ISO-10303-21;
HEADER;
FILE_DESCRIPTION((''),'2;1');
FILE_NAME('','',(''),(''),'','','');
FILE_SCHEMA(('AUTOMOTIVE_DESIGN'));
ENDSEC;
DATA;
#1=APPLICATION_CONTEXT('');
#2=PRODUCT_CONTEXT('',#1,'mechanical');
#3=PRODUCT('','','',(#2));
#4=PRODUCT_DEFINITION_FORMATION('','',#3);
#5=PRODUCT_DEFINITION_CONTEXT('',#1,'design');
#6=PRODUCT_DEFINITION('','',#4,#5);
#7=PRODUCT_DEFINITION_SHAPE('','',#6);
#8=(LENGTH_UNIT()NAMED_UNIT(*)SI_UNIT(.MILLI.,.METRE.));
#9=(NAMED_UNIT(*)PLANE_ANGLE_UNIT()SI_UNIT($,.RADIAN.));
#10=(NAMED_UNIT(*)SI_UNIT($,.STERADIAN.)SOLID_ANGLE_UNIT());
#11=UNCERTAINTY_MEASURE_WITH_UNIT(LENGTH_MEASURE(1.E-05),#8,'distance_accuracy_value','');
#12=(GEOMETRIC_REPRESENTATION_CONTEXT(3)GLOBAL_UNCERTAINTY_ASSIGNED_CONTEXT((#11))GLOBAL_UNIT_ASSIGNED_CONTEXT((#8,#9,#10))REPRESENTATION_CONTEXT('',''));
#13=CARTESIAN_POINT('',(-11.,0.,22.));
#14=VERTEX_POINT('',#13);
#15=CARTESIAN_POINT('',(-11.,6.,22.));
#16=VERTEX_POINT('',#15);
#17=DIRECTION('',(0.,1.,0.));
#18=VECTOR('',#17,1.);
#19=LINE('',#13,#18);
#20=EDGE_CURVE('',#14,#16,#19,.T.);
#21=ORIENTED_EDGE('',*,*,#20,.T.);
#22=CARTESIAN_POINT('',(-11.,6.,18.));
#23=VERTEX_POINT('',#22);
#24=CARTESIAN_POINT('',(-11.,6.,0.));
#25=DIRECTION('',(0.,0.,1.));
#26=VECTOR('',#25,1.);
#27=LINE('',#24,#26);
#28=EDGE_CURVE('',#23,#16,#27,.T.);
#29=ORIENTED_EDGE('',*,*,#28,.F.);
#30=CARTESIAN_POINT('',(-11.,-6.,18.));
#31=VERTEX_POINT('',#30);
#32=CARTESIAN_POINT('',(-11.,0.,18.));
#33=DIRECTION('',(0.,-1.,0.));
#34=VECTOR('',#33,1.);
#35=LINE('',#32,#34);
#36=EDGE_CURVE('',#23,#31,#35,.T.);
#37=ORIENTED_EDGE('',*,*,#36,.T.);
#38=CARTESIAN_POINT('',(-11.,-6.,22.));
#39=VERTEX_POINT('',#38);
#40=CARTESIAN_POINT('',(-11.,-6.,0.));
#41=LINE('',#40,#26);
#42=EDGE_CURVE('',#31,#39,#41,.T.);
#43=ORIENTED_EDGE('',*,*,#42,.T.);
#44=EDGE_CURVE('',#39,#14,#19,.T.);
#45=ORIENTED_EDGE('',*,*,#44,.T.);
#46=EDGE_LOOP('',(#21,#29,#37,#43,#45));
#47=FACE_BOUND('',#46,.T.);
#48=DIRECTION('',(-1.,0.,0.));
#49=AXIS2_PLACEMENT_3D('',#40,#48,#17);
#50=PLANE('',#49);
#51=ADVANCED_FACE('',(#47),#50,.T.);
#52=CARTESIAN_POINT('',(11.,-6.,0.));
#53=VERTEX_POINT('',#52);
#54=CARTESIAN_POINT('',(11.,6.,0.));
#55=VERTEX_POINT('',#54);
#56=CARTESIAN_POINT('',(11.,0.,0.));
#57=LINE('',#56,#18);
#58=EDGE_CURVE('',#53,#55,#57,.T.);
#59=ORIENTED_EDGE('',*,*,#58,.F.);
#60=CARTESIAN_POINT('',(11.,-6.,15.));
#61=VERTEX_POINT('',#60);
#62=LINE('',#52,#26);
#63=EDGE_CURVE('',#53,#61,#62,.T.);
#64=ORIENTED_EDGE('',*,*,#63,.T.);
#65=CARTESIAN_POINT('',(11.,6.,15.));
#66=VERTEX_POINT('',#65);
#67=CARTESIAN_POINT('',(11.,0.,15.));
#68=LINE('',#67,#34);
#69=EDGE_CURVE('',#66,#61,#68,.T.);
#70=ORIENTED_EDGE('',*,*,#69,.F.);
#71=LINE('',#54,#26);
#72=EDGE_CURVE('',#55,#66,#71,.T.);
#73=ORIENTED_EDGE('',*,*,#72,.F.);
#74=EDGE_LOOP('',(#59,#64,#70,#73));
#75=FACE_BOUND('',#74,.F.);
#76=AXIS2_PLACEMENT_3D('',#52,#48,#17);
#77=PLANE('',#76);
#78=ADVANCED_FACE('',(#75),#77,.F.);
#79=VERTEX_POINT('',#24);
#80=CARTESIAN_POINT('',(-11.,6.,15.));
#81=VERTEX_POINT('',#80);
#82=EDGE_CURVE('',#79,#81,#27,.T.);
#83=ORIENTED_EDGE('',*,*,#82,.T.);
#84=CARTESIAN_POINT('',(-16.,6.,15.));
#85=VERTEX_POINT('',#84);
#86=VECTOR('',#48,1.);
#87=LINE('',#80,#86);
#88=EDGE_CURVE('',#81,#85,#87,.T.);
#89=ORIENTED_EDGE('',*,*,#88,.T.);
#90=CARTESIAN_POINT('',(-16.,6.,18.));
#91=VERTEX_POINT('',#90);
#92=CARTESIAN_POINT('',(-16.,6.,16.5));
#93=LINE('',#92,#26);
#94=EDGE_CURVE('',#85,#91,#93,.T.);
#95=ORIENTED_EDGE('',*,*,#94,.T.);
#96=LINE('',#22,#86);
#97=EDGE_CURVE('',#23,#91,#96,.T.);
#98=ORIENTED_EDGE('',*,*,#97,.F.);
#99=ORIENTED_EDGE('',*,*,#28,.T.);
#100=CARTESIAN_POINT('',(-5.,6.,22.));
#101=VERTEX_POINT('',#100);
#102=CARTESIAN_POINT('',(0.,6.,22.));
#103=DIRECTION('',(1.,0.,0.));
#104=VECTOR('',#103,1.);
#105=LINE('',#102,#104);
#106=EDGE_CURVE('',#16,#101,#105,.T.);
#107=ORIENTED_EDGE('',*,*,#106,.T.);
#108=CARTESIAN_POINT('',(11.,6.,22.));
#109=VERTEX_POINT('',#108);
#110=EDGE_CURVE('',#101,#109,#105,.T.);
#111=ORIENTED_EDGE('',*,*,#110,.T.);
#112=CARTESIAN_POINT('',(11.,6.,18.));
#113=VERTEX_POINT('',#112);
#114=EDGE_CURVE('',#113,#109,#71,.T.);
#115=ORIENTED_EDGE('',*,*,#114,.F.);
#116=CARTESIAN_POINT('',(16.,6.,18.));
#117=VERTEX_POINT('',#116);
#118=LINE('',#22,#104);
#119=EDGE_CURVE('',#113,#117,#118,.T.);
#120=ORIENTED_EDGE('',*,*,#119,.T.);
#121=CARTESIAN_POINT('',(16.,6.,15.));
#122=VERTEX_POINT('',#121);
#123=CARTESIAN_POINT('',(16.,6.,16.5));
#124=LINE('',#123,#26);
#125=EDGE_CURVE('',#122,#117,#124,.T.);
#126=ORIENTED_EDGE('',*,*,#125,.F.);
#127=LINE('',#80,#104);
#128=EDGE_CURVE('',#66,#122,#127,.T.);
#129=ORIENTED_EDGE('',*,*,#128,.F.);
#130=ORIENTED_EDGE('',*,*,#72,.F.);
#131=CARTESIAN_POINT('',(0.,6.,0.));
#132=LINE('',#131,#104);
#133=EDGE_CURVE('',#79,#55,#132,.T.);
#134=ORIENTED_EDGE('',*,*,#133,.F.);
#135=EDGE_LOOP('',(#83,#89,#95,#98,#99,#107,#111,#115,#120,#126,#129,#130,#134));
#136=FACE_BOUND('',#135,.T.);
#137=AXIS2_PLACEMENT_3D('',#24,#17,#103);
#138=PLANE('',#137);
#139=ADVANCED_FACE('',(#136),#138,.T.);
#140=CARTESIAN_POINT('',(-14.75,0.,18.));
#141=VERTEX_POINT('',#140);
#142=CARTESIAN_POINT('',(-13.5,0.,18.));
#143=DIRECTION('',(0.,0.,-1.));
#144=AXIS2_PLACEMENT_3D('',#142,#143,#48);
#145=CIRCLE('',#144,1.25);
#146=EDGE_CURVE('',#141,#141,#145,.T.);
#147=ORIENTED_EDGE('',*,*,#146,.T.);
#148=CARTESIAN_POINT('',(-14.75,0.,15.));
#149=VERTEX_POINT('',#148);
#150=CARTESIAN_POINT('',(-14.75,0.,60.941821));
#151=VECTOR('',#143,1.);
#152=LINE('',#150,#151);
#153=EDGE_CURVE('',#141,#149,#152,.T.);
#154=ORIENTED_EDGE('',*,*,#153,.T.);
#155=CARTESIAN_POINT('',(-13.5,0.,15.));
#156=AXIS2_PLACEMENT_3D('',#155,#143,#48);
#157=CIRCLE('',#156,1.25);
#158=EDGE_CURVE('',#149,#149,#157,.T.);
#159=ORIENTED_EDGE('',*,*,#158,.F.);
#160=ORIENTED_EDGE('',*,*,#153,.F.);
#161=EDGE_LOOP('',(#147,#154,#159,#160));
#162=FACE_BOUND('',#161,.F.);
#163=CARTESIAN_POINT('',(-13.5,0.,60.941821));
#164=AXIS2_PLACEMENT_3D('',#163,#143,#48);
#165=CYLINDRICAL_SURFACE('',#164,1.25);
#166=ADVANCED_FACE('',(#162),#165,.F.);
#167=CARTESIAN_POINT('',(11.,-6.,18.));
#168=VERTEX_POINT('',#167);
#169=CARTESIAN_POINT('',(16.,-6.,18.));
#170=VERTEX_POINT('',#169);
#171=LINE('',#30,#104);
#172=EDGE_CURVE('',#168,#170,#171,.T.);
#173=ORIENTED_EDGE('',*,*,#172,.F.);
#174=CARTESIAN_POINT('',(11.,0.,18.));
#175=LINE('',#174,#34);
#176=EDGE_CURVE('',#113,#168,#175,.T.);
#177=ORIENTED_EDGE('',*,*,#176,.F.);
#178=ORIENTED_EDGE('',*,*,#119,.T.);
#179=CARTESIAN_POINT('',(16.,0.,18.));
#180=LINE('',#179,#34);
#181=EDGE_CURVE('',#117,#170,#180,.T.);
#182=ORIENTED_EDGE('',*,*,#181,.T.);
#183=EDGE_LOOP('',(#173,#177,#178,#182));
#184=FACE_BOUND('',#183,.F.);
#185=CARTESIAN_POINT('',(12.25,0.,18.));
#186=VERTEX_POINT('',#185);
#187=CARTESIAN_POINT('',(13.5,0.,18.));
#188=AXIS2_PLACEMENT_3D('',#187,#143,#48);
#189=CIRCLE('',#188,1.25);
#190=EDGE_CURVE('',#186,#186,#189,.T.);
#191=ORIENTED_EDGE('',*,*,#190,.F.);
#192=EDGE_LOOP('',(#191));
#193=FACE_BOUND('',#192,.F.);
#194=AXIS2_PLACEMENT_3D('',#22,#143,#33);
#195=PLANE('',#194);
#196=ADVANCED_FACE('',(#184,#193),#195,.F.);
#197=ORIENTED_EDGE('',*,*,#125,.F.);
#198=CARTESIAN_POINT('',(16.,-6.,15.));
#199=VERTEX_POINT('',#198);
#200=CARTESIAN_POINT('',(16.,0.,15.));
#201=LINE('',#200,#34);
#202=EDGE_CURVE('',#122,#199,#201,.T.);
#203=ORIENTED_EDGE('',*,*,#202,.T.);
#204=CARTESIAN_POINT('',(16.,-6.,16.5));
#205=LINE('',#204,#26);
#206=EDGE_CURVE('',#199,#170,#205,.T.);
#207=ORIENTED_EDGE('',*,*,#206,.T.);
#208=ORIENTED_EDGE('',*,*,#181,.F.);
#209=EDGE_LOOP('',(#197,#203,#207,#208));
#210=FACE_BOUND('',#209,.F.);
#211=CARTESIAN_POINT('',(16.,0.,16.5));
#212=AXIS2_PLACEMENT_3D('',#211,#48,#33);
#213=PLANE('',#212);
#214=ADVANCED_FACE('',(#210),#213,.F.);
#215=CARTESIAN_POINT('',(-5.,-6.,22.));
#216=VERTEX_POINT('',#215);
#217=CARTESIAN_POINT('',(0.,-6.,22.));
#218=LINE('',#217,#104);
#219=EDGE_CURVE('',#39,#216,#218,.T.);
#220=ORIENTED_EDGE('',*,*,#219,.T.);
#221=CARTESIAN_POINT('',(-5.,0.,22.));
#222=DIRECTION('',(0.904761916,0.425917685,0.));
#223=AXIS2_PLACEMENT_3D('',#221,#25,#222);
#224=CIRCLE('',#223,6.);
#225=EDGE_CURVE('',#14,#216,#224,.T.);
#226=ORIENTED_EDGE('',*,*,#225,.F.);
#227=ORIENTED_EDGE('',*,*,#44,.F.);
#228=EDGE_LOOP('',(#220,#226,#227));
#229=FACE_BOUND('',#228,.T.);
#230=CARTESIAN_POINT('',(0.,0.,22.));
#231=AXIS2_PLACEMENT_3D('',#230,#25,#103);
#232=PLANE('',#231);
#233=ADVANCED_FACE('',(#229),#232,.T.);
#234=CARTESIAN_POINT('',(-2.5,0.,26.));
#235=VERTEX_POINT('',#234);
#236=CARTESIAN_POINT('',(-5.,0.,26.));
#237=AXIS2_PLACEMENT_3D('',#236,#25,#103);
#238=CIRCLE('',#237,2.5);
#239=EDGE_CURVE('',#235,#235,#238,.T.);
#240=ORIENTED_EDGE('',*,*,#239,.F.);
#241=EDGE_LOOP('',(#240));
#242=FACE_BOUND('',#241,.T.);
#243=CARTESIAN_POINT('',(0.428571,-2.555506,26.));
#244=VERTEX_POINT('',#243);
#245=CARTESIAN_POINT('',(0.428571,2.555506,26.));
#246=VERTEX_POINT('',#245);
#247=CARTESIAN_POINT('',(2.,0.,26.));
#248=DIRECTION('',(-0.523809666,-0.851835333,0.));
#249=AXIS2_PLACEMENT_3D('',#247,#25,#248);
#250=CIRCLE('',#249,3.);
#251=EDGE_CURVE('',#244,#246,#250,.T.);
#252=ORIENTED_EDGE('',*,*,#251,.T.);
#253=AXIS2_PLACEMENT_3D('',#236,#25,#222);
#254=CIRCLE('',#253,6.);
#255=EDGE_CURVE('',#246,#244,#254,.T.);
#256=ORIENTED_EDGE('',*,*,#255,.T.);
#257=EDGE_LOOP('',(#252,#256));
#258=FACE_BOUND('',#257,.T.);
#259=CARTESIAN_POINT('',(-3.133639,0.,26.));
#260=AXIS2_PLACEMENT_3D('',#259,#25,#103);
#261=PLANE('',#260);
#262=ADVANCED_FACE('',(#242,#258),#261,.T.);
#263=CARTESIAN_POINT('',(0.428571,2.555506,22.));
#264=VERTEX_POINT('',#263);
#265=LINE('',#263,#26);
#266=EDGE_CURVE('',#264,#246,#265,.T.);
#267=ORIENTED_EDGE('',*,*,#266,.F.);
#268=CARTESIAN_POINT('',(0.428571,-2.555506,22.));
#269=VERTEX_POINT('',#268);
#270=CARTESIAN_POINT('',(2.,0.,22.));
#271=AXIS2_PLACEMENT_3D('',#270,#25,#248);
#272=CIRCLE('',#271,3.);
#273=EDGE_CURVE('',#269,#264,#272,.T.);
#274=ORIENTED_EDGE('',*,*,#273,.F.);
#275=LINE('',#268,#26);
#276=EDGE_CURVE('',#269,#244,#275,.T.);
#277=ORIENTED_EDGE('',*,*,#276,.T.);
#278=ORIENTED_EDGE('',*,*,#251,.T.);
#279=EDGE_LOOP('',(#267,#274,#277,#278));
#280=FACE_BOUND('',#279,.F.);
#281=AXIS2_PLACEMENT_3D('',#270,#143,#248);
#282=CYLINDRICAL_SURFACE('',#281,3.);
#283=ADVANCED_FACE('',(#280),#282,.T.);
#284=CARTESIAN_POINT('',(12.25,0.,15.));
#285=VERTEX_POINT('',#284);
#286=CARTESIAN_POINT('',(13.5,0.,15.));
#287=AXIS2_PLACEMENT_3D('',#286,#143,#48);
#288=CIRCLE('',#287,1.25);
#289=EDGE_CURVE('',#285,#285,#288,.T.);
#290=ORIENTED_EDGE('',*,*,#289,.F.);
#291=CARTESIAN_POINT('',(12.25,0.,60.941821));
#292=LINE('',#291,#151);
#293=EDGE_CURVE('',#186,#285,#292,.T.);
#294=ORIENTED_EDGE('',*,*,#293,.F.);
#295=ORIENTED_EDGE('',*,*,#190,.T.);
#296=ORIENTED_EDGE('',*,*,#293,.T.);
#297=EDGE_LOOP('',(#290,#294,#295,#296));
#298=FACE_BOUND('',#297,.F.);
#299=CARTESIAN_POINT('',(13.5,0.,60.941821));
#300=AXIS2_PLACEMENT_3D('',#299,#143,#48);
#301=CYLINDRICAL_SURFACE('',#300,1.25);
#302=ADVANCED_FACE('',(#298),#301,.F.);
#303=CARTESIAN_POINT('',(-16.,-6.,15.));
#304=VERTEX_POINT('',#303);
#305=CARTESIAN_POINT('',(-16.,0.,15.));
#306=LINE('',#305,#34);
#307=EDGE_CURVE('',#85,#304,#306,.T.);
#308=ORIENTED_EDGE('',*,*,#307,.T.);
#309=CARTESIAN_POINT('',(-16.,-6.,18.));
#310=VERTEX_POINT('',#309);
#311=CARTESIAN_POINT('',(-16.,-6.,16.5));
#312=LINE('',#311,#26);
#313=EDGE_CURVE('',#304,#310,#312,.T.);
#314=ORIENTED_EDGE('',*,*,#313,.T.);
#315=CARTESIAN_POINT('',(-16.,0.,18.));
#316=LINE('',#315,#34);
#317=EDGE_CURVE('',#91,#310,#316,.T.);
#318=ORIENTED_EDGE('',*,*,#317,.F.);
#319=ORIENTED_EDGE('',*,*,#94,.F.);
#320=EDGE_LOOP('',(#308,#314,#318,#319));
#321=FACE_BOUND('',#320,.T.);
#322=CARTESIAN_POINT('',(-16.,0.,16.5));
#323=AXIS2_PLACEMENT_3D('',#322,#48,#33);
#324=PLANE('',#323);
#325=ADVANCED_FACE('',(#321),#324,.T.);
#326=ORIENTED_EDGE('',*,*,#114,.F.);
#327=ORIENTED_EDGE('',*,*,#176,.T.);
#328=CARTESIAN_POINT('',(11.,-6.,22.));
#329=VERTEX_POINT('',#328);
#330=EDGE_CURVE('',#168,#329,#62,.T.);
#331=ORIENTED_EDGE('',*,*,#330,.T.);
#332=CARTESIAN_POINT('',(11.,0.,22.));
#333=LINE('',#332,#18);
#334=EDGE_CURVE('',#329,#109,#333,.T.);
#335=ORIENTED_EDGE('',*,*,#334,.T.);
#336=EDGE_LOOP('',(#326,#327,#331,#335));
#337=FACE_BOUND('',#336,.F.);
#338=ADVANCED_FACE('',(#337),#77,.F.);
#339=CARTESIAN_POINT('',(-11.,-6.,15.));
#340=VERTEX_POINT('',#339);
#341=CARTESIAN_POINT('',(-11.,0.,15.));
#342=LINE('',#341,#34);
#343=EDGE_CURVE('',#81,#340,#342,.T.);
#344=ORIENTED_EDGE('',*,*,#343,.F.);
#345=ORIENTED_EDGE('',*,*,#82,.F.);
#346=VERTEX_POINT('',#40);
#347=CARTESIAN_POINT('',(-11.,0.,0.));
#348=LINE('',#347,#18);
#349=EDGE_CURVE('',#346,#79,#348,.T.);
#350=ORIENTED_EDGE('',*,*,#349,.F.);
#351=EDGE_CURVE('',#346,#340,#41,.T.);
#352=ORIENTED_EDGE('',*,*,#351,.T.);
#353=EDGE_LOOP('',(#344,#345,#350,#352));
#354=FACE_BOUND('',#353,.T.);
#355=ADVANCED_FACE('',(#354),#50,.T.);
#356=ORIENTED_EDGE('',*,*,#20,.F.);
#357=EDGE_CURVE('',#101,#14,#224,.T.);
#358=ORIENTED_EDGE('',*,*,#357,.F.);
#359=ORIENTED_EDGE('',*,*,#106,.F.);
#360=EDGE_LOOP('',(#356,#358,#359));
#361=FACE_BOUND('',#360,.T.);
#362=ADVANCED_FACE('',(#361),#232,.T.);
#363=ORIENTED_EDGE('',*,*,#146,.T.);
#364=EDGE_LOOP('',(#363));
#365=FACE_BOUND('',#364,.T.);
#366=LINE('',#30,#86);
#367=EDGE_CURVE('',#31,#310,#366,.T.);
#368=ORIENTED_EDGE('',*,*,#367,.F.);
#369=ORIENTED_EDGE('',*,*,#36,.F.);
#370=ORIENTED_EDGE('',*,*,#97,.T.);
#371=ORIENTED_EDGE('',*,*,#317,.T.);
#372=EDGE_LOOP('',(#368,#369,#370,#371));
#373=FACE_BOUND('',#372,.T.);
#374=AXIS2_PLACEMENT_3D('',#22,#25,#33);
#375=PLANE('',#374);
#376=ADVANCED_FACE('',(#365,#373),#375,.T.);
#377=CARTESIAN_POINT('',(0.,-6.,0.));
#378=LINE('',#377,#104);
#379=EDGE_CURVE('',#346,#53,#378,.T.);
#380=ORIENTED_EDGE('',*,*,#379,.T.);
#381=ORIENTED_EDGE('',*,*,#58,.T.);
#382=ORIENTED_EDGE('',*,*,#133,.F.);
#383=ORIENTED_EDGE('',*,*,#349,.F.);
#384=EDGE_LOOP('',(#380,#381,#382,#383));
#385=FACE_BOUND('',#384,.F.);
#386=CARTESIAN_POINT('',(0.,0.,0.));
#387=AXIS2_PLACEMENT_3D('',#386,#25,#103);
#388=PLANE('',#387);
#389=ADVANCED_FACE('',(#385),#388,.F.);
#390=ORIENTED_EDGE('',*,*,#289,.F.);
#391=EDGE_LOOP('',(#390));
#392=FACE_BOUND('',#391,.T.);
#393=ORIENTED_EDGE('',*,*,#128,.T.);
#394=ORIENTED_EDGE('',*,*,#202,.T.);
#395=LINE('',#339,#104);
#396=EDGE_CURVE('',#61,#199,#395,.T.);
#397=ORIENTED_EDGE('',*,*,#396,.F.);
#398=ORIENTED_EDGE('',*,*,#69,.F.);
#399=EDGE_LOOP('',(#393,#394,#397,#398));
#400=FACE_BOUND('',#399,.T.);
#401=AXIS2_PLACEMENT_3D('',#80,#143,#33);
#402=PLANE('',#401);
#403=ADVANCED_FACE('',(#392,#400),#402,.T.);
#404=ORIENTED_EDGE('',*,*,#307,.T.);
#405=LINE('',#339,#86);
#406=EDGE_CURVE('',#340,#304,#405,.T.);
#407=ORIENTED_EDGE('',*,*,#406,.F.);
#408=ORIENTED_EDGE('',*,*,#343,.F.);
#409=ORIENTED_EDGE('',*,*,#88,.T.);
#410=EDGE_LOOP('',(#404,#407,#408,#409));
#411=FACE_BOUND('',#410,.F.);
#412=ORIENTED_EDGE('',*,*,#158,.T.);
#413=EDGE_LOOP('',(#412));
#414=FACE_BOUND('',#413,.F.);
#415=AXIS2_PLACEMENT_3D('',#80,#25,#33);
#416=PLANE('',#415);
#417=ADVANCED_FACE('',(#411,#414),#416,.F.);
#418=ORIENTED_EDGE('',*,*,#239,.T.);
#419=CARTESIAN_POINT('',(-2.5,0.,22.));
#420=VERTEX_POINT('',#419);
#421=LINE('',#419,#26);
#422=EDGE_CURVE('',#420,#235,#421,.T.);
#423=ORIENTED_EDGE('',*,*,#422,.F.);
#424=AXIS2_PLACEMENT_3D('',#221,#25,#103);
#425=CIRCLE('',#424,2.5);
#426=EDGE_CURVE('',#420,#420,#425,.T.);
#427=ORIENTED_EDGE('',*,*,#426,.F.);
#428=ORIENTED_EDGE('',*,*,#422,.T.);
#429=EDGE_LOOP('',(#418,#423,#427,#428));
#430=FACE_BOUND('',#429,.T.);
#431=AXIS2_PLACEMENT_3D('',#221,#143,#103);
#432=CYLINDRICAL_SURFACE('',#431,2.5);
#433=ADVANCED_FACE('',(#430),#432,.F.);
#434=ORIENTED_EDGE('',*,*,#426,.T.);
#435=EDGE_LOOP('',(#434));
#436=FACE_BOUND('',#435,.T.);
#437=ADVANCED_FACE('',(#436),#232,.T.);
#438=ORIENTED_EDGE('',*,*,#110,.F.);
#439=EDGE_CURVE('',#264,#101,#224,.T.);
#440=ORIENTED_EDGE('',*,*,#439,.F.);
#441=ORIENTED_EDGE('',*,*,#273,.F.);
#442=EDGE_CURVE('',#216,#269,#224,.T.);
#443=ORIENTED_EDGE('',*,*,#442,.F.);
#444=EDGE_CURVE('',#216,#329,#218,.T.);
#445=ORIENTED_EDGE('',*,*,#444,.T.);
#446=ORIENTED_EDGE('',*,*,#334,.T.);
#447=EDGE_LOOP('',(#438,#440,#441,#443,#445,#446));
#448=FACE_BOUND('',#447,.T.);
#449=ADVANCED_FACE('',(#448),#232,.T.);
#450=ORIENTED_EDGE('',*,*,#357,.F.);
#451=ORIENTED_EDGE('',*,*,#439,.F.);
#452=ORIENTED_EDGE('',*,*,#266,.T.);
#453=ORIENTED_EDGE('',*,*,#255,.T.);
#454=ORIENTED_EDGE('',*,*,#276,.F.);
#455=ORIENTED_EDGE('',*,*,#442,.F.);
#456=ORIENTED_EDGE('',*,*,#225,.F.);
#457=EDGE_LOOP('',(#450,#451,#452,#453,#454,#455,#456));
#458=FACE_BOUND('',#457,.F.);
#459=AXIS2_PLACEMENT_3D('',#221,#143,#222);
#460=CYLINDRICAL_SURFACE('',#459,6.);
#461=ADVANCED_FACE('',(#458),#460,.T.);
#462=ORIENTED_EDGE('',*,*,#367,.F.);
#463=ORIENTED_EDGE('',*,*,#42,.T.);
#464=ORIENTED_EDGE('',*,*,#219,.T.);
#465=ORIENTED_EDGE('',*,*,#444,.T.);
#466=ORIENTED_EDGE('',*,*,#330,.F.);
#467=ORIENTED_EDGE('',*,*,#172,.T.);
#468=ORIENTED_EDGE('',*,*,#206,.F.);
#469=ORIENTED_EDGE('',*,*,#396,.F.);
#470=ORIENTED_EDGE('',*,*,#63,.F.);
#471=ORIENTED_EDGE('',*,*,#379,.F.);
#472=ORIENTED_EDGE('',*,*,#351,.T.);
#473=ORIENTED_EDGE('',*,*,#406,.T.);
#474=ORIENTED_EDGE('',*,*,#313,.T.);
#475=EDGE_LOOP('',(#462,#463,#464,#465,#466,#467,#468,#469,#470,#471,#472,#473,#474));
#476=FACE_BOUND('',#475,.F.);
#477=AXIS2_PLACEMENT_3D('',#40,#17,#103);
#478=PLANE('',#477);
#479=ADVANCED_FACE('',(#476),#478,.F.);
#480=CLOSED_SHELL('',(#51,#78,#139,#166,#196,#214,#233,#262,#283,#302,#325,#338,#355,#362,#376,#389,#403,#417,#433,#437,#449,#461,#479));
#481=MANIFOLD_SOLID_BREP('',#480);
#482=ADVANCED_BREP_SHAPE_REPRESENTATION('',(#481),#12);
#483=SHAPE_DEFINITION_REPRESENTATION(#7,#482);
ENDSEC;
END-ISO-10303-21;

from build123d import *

# Parameters (mm, degrees)
F0_W          = 22
F0_H          = 12
F1_DEPTH      = 22
F2_R          = 2.5
F3_DEPTH      = 4
F4_W          = 12
F4_H          = 3
F5_DEPTH      = 5
F5_DEPTH_BACK = 27
F8_D          = 2.5


with BuildPart() as f1:
    # F0 (on Top) → F1 (new body)
    with BuildSketch(Plane.XY):
        Rectangle(F0_W, F0_H)
    extrude(amount=F1_DEPTH)

    # F2 (on face) → F3 (join)
    with BuildSketch(Plane.XY.offset(22)):
        with BuildLine():
            ThreePointArc((0.428571, -2.555506), (5, 0), (0.428571, 2.555506))
            ThreePointArc((0.428571, 2.555506), (-11, 0), (0.428571, -2.555506))
        make_face()
        with Locations((-5, 0)):
            Circle(F2_R, mode=Mode.SUBTRACT)
    extrude(amount=F3_DEPTH)

    # F4 (on face) → F5 (join, two sides)
    with BuildSketch(Plane(origin=(-11, 0, 0), x_dir=(0, -1, 0), z_dir=(-1, 0, 0))) as f5_sk:
        with Locations((0, 16.5)):
            Rectangle(F4_W, F4_H)
    extrude(amount=F5_DEPTH)
    extrude(f5_sk.sketch, amount=-F5_DEPTH_BACK)

    # F8 (through all)
    with Locations(Plane.XY.offset(18)):
        with Locations((13.5, 0), (-13.5, 0)):
            Hole(F8_D / 2)


solid = f1.part
